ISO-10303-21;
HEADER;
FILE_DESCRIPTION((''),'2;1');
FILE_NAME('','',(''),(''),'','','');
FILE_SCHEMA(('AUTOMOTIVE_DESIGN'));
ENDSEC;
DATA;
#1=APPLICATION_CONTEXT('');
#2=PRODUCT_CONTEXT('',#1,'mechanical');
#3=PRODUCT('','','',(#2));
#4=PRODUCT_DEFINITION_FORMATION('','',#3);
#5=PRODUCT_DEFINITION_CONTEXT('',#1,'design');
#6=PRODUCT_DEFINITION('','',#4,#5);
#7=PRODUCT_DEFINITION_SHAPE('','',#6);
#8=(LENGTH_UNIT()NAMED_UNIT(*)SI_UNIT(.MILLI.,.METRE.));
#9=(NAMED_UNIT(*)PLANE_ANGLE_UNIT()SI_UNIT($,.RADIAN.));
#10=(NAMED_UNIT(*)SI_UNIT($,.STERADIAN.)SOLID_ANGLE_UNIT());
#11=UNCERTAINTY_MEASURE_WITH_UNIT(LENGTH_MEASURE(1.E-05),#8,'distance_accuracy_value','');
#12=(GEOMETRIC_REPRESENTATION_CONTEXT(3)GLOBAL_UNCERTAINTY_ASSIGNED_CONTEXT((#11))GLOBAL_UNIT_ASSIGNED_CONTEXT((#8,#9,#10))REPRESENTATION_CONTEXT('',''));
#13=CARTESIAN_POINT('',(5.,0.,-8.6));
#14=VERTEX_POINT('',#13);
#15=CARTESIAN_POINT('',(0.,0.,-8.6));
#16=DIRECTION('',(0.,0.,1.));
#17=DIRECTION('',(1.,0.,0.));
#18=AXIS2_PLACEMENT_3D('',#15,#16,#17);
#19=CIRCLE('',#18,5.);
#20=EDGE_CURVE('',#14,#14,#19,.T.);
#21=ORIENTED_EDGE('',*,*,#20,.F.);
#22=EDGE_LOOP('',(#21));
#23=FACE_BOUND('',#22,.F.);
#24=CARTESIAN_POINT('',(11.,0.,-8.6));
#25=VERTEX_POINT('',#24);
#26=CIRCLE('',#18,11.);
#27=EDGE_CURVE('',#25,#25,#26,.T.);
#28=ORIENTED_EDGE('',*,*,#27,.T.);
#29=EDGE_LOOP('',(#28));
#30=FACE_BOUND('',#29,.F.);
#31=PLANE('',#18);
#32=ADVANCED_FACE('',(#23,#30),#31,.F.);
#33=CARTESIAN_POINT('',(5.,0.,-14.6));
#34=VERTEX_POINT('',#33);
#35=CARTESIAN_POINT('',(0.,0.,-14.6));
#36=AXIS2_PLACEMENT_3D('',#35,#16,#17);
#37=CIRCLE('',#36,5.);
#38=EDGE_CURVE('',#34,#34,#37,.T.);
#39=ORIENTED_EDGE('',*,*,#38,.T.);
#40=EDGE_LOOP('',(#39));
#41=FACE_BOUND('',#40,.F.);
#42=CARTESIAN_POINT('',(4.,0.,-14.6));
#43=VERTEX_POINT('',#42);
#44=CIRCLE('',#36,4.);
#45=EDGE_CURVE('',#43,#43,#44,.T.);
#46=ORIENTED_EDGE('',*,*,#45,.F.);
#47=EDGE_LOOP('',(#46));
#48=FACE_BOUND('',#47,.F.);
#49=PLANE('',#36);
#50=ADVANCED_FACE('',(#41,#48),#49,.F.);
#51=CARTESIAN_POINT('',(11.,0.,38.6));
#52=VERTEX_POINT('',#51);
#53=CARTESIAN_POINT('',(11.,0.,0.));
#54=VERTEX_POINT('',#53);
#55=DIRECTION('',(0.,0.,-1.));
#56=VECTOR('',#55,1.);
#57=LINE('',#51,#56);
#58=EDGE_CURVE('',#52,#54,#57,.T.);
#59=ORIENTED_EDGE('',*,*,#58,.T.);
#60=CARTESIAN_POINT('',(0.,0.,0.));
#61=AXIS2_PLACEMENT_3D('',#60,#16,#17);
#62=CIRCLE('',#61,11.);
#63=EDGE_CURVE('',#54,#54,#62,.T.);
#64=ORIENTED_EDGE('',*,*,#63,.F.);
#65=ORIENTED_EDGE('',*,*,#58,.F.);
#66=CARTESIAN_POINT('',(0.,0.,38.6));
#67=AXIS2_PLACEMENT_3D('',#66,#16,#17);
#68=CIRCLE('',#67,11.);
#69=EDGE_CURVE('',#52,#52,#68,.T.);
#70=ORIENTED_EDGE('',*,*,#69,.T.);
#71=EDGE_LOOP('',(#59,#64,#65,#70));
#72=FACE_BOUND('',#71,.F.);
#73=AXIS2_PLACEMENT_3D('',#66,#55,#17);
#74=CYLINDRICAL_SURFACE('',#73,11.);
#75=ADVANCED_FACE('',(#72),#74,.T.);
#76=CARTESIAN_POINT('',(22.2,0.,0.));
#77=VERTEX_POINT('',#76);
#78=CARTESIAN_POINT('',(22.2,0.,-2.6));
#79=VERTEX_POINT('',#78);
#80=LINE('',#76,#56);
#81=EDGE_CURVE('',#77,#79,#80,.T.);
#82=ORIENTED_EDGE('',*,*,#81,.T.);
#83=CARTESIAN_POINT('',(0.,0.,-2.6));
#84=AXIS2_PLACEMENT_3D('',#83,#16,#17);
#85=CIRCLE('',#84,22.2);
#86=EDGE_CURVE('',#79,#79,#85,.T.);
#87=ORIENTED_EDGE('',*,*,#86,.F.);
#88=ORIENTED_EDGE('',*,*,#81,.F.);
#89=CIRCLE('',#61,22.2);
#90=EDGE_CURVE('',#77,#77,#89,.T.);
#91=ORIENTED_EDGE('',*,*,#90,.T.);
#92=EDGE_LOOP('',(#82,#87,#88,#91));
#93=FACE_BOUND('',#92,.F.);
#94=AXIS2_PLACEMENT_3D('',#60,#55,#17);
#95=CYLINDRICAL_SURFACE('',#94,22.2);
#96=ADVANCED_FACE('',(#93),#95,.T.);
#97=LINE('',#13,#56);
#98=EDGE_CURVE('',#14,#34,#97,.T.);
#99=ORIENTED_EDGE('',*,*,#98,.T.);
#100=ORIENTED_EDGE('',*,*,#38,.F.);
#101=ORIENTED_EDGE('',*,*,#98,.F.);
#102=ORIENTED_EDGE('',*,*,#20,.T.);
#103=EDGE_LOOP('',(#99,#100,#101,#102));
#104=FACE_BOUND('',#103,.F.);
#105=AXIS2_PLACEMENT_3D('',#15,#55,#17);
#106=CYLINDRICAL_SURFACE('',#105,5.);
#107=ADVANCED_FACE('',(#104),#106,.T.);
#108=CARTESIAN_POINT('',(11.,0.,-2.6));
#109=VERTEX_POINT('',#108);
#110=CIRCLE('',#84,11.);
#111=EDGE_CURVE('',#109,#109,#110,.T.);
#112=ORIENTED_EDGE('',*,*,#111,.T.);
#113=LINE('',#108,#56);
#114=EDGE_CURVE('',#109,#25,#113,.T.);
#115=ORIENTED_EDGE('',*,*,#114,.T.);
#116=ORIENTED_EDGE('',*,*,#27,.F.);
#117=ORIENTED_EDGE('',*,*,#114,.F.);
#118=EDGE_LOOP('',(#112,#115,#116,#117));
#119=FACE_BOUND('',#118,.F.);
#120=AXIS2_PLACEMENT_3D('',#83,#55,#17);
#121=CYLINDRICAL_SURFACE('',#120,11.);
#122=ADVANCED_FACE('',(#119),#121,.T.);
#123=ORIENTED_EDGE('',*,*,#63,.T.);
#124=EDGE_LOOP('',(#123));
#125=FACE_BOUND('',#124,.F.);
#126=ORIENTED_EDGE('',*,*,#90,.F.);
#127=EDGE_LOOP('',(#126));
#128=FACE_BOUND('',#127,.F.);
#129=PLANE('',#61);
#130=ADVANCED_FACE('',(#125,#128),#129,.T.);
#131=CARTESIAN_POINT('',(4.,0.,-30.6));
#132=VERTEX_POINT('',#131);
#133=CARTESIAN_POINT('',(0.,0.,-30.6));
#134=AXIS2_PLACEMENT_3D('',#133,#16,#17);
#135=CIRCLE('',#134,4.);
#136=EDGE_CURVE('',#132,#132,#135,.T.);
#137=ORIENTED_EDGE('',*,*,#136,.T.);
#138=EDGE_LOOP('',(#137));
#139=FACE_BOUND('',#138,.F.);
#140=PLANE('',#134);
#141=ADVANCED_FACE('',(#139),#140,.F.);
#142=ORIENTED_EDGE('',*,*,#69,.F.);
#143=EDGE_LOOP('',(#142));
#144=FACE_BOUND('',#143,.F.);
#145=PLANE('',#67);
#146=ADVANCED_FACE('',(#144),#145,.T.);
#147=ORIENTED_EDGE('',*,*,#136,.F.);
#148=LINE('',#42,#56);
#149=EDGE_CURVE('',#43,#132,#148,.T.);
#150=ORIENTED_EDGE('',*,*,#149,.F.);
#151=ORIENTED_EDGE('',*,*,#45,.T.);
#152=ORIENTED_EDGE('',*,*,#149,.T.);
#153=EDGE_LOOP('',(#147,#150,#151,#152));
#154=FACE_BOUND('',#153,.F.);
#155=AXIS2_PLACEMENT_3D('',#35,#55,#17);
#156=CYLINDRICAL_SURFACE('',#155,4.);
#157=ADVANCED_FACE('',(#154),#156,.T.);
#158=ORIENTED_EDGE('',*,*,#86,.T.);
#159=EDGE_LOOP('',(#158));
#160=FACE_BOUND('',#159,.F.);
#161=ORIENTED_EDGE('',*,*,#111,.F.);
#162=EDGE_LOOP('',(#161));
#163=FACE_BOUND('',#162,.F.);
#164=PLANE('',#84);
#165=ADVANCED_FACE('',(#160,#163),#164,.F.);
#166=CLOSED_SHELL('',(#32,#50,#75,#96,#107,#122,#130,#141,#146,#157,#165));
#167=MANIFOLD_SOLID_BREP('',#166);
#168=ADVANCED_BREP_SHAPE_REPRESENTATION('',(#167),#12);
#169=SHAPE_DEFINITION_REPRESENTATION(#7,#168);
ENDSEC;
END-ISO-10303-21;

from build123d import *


with BuildPart() as part:
    # Sketch → Revolution (revolve)
    with BuildSketch(Plane.XZ):
        Polygon((0, 38.6), (11, 38.6), (11, 0), (22.2, 0), (22.2, -2.6), (11, -2.6), (11, -8.6), (5, -8.6), (5, -14.6), (4, -14.6), (4, -30.6), (0, -30.6), (0, -14.6), align=None)
    revolve(axis=Axis((0, 0, 0), (0, 0, 1)))


solid = part.part
